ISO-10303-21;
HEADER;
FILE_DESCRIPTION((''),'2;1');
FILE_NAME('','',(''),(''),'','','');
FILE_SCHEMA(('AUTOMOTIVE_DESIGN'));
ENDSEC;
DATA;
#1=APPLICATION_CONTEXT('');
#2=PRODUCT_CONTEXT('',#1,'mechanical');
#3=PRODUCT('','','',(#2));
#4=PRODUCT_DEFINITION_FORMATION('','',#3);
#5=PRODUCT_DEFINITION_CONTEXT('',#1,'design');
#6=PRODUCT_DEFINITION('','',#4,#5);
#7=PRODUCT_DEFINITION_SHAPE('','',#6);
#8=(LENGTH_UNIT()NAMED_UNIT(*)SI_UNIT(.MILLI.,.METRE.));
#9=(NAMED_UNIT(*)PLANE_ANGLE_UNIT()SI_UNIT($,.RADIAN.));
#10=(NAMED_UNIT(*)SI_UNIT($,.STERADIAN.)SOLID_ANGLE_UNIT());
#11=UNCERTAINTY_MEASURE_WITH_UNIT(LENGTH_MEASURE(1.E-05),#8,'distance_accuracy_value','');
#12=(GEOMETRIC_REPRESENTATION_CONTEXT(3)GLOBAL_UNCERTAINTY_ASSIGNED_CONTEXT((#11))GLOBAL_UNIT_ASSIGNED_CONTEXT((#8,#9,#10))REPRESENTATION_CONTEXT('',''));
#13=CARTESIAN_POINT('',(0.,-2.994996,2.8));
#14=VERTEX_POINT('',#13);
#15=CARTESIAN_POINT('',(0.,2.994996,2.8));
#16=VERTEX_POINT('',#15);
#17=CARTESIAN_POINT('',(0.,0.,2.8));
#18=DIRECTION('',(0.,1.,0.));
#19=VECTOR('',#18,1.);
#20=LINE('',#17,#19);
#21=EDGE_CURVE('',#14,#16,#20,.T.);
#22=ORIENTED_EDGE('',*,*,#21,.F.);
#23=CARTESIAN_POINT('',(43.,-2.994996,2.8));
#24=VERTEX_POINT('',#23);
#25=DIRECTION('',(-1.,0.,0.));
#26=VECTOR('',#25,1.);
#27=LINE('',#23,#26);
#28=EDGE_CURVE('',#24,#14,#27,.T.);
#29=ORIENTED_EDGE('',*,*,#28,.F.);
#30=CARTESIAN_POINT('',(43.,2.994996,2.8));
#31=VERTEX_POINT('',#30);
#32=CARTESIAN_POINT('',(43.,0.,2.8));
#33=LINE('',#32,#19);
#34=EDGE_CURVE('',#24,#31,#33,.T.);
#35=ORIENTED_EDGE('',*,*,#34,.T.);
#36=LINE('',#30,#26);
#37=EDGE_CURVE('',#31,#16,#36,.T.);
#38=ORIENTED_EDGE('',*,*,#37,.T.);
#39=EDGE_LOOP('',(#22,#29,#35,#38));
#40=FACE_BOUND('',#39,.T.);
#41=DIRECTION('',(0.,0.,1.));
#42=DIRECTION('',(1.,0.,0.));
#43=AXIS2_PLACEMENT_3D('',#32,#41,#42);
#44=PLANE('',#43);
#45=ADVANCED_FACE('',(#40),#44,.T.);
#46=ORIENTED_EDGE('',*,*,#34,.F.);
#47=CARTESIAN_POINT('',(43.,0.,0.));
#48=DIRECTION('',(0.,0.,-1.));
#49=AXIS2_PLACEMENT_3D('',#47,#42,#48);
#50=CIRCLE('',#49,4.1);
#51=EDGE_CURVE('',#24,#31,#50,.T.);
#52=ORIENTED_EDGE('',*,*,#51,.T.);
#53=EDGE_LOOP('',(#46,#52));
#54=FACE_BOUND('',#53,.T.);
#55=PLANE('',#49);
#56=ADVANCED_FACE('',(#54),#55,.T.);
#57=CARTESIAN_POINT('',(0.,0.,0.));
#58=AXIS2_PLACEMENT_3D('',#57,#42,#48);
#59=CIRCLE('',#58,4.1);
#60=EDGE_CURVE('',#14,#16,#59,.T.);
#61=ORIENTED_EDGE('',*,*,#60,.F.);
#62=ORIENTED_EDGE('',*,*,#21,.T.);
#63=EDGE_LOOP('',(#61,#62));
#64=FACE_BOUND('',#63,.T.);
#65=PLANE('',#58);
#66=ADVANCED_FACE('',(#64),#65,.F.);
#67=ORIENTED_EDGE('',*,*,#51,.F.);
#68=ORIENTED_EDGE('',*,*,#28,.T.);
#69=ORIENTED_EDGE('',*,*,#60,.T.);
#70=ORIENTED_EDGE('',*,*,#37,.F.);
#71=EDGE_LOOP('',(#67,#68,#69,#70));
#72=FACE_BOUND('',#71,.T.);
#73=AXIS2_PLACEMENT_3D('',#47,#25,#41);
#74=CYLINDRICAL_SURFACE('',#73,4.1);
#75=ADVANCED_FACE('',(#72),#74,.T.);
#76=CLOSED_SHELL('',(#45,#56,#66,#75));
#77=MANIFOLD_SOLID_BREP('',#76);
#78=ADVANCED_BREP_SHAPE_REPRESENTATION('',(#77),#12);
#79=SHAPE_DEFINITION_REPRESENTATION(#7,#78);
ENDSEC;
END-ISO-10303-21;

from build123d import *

# Parameters (mm, degrees)
SALIENTE_EXTRUIR1_DEPTH = 43


with BuildPart() as part:
    # Croquis1 → Saliente-Extruir1 (new body)
    with BuildSketch(Plane(origin=(0, 0, 0), x_dir=(0, 0, -1), z_dir=(1, 0, 0))):
        with BuildLine():
            Line((-2.8, 0), (0, 0))
            Line((0, 0), (4.1, 0))
            ThreePointArc((4.1, 0), (1.632482772, 3.760983914), (-2.8, 2.994995826))
            Line((-2.8, 2.994995826), (-2.8, 0))
        make_face()
        with BuildLine():
            Line((4.1, 0), (0, 0))
            Line((0, 0), (-2.8, 0))
            Line((-2.8, 0), (-2.8, -2.994995826))
            ThreePointArc((-2.8, -2.994995826), (1.632482772, -3.760983914), (4.1, 0))
        make_face()
    extrude(amount=SALIENTE_EXTRUIR1_DEPTH)


solid = part.part
